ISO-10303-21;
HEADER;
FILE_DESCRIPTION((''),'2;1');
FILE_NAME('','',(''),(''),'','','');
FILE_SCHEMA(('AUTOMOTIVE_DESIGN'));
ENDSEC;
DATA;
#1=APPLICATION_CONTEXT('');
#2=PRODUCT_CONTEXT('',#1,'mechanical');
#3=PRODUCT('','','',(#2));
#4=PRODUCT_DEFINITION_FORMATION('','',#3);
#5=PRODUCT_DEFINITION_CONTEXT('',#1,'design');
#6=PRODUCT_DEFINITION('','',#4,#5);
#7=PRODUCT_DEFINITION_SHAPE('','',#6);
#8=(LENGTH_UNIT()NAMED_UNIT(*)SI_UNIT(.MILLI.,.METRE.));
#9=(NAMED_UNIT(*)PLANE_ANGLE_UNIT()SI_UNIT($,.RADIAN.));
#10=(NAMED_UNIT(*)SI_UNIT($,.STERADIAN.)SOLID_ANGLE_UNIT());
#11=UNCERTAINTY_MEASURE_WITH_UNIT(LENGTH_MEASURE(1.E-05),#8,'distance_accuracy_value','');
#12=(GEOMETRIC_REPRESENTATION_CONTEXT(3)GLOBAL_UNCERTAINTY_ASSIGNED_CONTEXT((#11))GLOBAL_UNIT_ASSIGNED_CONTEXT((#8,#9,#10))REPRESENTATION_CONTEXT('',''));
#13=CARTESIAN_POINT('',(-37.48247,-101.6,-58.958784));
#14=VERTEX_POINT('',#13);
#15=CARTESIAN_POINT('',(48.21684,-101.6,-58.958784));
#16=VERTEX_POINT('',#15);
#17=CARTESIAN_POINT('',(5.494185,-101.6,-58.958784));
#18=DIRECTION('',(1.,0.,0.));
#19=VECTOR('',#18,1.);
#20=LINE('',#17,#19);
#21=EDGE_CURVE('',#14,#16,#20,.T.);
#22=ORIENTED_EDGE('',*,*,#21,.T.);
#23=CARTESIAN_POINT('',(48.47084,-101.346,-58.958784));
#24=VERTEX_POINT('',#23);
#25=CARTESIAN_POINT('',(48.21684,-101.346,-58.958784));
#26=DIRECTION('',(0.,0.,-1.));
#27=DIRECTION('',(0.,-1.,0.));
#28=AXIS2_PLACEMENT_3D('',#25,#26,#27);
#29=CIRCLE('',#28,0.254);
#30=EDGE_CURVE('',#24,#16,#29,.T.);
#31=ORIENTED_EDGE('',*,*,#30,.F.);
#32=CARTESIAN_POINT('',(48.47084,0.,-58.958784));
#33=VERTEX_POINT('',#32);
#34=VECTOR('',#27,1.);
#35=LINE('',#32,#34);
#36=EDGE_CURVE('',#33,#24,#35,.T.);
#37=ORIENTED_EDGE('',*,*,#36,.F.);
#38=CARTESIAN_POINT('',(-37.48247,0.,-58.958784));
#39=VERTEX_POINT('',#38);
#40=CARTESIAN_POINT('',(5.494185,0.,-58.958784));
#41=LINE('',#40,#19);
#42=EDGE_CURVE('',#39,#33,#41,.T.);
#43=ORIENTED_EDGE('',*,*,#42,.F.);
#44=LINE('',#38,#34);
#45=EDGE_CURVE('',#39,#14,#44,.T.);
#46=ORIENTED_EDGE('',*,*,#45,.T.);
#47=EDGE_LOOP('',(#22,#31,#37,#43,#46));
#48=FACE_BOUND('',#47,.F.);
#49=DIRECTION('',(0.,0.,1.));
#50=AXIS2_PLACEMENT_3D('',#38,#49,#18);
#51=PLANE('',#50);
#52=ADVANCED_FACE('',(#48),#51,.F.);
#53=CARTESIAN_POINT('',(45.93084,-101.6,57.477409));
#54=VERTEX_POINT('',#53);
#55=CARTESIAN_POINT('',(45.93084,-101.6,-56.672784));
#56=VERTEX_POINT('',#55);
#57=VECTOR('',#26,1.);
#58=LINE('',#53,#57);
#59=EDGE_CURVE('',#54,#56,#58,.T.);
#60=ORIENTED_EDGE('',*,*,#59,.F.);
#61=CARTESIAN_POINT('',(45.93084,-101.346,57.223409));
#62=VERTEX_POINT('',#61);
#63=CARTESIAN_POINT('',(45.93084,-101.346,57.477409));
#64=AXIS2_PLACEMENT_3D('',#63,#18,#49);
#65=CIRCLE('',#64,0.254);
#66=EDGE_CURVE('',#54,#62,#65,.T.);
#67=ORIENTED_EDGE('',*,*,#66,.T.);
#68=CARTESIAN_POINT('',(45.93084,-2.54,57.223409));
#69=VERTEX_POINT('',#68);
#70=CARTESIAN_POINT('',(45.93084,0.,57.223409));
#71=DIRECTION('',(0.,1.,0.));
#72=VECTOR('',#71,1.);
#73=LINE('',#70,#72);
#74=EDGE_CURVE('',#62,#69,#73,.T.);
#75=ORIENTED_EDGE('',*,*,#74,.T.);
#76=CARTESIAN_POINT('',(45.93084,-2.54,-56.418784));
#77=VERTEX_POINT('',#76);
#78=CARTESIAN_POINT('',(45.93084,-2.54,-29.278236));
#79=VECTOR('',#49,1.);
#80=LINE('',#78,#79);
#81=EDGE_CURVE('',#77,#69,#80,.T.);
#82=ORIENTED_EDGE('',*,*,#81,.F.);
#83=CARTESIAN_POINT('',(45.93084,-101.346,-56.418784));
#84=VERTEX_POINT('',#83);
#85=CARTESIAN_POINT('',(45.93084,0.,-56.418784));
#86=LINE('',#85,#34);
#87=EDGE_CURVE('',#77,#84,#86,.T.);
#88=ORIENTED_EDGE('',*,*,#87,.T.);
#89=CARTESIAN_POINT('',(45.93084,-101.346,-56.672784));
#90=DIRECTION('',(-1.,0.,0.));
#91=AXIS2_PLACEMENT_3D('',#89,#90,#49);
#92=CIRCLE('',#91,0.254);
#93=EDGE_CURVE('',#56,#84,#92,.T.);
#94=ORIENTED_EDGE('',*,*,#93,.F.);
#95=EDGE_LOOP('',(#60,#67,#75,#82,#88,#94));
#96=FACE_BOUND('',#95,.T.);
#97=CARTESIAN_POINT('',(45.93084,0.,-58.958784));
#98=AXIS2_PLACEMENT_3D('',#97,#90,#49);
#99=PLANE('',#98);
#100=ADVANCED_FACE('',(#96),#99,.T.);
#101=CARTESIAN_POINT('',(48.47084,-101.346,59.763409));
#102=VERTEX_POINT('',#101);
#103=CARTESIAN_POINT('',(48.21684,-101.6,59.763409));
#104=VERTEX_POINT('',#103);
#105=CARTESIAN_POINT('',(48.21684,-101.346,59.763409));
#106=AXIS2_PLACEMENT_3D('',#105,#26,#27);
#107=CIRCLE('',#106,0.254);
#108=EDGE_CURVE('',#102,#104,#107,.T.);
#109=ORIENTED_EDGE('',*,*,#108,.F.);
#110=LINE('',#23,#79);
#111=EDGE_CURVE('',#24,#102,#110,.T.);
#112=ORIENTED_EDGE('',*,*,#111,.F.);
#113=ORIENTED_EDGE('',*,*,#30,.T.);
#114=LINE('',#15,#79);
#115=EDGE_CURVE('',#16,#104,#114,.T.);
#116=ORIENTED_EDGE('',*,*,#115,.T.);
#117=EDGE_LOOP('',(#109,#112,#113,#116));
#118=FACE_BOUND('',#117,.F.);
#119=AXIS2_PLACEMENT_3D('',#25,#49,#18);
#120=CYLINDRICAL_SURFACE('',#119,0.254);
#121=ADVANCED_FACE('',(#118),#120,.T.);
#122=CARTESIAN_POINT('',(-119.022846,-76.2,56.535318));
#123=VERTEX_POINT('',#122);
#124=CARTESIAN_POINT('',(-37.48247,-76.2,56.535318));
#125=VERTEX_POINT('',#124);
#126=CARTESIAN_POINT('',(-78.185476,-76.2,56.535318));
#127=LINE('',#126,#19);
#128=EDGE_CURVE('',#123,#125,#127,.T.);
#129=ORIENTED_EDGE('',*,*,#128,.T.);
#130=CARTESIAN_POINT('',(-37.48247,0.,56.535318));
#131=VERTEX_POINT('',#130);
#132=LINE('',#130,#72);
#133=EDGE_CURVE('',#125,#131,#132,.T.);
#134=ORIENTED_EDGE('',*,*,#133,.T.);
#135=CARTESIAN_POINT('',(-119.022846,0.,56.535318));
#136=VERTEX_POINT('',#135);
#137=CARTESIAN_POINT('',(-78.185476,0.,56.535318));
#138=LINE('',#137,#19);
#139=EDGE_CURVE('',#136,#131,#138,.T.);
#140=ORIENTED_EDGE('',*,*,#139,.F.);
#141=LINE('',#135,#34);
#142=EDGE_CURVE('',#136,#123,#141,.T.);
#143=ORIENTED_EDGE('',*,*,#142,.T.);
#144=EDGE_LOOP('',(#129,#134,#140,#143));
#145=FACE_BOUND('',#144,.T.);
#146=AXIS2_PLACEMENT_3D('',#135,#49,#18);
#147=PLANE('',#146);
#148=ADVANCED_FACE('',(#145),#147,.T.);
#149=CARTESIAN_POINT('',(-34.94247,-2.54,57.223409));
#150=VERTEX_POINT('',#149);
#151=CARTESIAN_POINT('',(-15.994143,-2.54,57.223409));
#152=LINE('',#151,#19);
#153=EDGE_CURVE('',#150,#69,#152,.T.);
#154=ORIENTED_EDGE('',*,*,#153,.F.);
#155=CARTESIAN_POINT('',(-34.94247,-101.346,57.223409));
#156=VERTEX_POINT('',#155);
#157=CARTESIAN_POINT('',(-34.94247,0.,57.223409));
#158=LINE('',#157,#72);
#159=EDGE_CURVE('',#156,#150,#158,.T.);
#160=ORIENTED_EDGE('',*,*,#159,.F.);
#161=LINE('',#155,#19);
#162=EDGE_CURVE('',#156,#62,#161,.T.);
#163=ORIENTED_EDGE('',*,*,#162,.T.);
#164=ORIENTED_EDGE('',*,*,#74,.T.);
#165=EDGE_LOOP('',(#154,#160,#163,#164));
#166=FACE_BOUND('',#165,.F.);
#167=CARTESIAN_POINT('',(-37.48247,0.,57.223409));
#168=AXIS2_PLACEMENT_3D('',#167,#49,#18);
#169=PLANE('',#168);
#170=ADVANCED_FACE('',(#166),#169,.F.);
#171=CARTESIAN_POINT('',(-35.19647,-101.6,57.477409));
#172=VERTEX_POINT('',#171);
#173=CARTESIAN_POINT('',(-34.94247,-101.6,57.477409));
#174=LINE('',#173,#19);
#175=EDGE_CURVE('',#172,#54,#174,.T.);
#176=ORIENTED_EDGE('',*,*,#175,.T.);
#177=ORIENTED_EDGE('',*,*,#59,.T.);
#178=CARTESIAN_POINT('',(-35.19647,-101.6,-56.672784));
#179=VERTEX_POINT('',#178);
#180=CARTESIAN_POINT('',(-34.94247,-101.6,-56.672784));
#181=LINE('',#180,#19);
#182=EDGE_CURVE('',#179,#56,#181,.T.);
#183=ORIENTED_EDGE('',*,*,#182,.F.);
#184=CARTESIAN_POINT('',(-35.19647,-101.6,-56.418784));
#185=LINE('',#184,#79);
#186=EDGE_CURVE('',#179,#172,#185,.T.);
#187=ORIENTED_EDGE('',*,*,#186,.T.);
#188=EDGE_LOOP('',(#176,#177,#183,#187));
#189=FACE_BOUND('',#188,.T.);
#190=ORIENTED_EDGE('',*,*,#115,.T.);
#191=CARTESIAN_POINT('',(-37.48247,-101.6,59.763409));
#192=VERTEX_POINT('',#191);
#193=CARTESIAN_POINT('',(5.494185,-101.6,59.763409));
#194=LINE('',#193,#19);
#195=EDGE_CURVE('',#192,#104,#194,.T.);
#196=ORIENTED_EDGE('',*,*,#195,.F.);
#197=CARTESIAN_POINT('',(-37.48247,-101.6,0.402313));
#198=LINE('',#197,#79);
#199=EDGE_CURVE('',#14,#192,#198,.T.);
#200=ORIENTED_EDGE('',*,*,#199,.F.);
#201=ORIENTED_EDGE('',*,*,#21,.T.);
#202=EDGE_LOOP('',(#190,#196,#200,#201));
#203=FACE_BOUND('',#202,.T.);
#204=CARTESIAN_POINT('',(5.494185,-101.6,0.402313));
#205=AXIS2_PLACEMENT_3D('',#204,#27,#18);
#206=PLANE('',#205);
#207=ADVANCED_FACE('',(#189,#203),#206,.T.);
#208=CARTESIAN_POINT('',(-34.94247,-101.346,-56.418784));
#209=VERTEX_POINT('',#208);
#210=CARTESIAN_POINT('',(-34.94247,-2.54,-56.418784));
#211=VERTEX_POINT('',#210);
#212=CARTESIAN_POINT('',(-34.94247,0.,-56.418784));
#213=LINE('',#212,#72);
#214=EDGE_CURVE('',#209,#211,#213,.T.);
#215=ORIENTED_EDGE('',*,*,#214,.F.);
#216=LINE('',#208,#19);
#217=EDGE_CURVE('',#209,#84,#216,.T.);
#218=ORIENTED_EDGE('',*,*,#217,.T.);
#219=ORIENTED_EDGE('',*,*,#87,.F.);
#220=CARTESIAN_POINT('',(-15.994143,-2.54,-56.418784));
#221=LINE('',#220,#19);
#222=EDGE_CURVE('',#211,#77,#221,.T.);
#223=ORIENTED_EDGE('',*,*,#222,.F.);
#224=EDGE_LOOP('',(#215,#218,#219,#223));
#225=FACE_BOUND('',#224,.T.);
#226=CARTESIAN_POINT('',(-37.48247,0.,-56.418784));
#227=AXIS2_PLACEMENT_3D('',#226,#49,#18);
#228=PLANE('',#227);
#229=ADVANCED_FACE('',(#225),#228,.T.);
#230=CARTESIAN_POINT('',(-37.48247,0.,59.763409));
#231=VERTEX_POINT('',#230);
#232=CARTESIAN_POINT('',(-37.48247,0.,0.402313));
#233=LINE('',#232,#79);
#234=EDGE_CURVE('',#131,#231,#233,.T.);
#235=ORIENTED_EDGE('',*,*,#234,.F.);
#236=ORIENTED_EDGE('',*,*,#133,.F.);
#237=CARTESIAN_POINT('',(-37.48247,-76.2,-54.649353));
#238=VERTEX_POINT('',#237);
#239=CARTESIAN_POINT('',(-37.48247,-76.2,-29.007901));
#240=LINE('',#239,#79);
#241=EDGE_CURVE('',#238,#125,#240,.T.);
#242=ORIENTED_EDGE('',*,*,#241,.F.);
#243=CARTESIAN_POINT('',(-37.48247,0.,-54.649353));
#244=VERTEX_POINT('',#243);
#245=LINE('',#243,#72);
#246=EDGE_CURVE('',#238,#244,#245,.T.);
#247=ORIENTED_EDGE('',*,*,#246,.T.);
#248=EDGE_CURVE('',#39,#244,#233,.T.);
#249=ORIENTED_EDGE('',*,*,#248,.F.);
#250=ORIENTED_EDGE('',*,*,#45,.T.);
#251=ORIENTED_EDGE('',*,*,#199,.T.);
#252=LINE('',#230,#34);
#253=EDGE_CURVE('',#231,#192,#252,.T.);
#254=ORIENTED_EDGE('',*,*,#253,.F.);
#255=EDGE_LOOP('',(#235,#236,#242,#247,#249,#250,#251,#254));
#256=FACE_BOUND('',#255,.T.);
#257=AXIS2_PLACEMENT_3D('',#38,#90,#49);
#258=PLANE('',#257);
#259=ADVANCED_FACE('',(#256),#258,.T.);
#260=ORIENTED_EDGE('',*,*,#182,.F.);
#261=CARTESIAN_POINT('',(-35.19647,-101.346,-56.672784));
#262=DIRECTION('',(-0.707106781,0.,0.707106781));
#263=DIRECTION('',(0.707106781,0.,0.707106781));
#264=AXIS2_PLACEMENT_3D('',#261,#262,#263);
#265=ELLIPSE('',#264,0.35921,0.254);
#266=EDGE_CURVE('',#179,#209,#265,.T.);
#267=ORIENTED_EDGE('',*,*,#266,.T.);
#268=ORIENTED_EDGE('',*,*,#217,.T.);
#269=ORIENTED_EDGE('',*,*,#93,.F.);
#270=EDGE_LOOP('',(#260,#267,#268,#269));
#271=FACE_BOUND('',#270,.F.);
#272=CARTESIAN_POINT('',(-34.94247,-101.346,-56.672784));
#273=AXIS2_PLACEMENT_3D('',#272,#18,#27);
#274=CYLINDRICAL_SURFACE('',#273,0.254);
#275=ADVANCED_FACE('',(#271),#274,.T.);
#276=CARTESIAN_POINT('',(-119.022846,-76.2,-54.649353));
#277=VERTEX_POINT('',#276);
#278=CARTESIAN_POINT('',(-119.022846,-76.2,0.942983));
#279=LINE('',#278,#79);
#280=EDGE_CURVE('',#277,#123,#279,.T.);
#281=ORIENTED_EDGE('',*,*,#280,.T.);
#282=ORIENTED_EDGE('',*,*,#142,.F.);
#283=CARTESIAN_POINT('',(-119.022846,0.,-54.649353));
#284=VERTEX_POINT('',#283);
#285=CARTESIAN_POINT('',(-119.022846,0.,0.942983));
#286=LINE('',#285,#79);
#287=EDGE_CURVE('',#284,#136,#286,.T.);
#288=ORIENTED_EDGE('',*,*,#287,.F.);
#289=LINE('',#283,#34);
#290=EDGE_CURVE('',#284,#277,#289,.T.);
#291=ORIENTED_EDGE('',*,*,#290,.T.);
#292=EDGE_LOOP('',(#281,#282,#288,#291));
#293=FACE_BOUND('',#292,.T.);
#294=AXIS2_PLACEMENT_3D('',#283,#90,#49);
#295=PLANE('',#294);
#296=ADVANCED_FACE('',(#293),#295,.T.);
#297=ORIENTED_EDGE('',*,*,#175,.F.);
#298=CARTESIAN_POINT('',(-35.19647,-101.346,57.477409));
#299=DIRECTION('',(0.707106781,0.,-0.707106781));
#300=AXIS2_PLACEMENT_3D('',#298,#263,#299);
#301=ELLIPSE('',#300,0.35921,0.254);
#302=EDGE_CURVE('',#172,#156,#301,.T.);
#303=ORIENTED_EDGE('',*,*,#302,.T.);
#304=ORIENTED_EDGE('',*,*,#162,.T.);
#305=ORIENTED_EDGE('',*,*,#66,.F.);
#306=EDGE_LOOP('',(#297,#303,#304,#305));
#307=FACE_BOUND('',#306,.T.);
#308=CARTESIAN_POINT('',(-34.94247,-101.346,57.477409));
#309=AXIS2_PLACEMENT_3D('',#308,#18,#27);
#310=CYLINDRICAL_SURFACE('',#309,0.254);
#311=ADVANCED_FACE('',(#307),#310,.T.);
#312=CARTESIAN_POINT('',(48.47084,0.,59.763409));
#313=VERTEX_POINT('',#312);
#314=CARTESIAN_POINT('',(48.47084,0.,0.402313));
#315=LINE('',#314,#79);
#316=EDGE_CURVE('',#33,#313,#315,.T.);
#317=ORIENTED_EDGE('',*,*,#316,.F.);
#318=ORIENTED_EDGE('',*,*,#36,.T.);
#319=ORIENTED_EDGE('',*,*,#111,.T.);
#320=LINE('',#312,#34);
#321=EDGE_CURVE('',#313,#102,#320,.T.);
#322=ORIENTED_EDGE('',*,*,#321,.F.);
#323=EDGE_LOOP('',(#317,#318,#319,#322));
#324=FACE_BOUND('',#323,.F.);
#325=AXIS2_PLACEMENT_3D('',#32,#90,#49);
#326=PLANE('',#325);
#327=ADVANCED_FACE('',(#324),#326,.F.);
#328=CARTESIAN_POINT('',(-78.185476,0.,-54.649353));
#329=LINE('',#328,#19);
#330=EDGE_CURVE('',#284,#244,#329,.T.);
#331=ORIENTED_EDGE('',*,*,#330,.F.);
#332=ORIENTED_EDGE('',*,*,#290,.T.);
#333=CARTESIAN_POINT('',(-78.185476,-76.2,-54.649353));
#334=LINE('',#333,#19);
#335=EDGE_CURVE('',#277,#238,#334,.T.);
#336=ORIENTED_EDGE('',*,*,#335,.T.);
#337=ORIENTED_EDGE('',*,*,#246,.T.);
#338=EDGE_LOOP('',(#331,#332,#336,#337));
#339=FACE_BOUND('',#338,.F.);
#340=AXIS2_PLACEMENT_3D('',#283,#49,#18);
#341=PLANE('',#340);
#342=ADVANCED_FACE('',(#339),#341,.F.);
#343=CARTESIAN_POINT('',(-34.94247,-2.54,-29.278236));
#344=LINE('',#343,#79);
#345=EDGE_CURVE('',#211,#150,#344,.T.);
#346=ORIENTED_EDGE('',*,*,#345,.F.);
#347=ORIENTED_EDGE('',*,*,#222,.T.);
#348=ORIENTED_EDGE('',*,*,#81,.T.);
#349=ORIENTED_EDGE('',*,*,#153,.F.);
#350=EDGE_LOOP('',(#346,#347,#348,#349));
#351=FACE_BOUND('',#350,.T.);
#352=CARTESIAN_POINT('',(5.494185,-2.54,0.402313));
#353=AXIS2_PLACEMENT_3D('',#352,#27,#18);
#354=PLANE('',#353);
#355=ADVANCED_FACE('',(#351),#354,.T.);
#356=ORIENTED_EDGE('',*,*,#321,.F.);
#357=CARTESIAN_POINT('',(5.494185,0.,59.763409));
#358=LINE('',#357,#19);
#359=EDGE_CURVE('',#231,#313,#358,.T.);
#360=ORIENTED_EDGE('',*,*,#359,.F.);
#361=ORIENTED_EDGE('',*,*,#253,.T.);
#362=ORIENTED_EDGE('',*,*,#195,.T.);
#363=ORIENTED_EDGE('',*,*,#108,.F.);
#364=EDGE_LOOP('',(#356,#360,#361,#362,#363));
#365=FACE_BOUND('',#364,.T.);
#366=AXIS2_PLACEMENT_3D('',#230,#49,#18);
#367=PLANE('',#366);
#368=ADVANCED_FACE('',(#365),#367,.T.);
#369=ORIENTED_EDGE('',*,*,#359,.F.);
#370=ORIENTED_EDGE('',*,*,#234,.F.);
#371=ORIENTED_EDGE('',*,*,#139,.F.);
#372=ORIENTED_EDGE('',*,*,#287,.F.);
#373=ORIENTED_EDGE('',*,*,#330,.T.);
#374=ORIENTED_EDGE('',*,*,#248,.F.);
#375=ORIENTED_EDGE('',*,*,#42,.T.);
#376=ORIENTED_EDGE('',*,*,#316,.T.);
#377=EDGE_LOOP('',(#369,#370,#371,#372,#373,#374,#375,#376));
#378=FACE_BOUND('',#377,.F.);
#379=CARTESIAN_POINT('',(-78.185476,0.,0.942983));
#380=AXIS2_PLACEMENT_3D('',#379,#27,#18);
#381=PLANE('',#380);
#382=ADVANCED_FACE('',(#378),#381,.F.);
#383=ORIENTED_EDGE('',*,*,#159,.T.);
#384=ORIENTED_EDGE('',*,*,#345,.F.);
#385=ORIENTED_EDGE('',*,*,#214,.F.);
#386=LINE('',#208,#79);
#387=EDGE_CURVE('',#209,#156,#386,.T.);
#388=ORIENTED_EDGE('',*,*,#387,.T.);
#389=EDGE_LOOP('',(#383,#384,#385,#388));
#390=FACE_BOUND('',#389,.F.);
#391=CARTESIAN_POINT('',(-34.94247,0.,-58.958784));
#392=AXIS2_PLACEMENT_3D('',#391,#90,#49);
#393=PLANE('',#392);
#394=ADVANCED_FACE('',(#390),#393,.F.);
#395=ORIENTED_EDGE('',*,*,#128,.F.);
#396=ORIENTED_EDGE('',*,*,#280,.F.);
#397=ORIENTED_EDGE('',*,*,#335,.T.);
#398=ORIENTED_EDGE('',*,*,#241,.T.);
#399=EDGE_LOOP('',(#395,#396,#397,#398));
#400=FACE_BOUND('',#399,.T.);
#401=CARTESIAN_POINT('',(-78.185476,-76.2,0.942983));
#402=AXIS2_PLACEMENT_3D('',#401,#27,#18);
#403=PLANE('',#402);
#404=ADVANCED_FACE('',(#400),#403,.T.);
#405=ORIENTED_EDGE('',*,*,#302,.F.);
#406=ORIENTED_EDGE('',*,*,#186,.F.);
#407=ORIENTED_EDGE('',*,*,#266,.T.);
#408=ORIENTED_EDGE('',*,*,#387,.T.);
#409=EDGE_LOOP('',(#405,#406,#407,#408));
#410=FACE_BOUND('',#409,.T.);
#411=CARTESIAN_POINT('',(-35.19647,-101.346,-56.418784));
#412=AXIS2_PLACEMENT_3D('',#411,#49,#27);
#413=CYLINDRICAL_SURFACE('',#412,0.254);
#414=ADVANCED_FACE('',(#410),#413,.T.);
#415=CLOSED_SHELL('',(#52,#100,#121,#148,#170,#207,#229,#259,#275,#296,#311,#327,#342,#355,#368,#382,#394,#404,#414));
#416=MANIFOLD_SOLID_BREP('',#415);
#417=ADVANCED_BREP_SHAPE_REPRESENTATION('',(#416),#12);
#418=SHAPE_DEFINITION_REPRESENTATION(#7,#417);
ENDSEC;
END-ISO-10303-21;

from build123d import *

# Parameters (mm, degrees)
F0_W     = 85.953310132
F0_H     = 118.7221929431
F1_DEPTH = 101.6
F3_T     = -2.54
F4_R     = 0.254
F2_W     = 81.6747397184
F2_H     = 111.1846715212
F5_DEPTH = 76.2


with BuildPart() as f1:
    # F0 (on Front) → F1 (new body)
    with BuildSketch(Plane.XZ):
        with Locations((5.494184792, 0.4023127258)):
            Rectangle(F0_W, F0_H)
    extrude(amount=F1_DEPTH)

    # F3
    f3_openings = [f1.faces().sort_by_distance(p)[0] for p in [
        (5.494185, -101.6, 0.402313),
    ]]
    offset(amount=F3_T, openings=f3_openings)

    # F4
    f4_edges = [f1.edges().sort_by_distance(p)[0] for p in [
        (48.47084, -101.6, 0.402313),
        (5.494185, -101.6, 57.223409),
        (-34.94247, -101.6, 0.402313),
        (5.494185, -101.6, -56.418784),
    ]]
    fillet(f4_edges, radius=F4_R)

    # F2 (on Front) → F5 (join)
    with BuildSketch(Plane.XZ):
        with Locations((-78.1854763627, 0.9429827332)):
            Rectangle(F2_W, F2_H)
    extrude(amount=F5_DEPTH)


solid = f1.part
